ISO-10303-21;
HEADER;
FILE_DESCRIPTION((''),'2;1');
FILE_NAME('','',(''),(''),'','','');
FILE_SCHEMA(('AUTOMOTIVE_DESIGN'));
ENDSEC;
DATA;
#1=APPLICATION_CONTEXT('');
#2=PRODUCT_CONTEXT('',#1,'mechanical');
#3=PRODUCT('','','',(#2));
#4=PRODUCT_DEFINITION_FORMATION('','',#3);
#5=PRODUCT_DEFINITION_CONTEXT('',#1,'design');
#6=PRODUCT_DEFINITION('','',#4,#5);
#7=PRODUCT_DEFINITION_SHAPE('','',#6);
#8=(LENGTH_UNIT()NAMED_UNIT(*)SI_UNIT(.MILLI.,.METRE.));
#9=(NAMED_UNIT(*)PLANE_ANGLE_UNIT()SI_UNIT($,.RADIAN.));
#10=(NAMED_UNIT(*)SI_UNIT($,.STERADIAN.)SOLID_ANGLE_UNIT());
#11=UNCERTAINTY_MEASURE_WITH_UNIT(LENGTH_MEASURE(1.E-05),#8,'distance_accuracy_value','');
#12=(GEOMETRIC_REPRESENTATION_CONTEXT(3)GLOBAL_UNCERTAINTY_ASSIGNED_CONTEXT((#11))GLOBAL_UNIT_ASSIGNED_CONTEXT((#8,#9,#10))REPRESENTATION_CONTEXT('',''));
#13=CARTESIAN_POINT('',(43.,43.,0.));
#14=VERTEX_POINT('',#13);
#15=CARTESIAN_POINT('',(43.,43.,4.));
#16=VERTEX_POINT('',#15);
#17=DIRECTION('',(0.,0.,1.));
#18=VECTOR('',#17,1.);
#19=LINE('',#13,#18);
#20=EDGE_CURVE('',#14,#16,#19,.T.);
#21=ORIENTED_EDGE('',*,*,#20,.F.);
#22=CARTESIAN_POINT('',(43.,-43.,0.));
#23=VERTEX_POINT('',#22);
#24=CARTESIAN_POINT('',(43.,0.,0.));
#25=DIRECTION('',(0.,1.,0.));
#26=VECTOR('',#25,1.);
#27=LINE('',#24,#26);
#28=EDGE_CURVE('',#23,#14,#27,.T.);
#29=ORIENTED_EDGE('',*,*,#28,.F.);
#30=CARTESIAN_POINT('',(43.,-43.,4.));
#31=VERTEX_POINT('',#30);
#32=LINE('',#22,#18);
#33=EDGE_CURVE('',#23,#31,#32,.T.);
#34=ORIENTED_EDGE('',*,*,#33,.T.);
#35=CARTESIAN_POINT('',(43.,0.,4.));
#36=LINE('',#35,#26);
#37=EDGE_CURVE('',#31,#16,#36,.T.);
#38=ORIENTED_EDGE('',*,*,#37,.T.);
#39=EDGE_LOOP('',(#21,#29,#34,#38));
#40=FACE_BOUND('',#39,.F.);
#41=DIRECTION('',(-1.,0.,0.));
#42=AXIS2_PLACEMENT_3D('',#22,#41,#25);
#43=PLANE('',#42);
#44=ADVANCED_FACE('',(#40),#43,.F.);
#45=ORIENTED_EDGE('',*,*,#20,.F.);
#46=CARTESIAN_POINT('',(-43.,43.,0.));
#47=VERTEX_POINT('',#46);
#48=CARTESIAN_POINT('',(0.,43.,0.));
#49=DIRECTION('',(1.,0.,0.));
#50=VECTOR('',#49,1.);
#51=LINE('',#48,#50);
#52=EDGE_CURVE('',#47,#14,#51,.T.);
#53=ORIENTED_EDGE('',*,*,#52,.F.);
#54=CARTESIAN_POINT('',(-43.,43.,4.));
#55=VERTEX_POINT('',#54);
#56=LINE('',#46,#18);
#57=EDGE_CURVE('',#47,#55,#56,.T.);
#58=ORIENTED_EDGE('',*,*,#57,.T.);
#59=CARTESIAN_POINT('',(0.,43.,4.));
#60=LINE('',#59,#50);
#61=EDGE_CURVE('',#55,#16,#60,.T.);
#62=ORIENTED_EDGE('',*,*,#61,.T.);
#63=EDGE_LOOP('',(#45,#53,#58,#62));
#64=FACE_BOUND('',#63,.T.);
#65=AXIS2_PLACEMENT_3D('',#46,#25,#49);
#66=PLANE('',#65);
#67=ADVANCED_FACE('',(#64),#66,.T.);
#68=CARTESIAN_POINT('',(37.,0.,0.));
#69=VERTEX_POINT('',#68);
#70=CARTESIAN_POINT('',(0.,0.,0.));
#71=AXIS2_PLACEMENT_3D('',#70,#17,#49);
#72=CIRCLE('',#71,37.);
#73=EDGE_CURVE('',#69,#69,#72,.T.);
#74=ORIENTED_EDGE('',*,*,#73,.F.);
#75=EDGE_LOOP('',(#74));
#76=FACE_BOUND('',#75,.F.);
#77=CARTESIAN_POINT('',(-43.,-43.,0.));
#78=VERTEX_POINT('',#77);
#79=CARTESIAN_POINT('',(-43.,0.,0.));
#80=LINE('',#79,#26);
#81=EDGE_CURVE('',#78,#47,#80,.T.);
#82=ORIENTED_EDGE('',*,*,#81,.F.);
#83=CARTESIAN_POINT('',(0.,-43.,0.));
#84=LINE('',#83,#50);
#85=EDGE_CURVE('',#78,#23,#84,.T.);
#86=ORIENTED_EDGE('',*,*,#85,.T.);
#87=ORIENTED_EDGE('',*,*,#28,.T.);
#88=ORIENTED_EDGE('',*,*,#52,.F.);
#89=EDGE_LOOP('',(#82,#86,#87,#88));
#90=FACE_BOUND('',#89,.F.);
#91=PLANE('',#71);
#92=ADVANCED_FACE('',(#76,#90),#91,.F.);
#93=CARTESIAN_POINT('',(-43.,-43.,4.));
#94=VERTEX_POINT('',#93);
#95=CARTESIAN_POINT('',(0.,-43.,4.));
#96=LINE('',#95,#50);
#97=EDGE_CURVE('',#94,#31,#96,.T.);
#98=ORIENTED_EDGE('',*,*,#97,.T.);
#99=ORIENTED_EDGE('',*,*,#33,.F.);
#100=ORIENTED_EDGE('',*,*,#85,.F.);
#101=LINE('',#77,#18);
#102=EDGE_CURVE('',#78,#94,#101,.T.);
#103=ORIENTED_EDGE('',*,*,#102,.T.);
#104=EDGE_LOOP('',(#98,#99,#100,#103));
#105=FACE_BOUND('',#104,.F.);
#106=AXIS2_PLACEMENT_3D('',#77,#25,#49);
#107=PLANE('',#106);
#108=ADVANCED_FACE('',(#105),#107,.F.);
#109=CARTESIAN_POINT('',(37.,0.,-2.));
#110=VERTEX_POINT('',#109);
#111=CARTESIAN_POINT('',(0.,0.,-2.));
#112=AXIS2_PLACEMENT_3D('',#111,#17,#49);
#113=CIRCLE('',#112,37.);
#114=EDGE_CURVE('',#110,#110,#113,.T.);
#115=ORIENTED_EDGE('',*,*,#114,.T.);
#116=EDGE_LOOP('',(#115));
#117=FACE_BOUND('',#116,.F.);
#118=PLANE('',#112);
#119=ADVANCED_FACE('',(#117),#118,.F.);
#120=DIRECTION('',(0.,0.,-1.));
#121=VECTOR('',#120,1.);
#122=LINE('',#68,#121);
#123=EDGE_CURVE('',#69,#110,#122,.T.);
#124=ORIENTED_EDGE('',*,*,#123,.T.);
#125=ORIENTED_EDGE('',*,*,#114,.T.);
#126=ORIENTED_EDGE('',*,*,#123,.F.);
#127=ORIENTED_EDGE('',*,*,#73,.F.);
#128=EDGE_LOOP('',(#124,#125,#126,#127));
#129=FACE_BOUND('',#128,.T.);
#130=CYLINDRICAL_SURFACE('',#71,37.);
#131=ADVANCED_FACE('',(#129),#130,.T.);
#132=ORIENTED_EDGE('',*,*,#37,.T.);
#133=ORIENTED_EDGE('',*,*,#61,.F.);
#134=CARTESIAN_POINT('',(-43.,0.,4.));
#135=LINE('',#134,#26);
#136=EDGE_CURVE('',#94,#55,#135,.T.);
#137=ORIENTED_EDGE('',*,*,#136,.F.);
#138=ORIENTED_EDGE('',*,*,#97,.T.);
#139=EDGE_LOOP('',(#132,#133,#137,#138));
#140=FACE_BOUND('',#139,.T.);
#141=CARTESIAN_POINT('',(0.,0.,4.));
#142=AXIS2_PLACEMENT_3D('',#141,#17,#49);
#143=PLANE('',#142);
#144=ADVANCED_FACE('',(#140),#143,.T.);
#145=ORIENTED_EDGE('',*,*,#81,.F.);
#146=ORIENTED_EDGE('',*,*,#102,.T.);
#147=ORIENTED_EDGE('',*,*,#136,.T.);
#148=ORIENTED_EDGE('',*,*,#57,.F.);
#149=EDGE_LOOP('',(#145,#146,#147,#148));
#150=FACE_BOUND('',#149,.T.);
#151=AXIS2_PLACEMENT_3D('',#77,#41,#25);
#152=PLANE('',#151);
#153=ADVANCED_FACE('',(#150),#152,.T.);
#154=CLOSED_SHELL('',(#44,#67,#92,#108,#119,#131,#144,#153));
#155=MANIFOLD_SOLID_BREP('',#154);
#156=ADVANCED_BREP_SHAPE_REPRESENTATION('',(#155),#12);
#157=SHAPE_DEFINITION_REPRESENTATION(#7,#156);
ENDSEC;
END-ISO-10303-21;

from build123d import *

# Parameters (mm, degrees)
F0_R     = 37
F1_DEPTH = 2
F0_W     = 86
F0_H     = 86
F2_DEPTH = 4


with BuildPart() as f1:
    # F0 (on Top) → F1 (new body)
    with BuildSketch(Plane.XY):
        Circle(F0_R)
    extrude(amount=-F1_DEPTH)

    # F0 (on Top) → F2 (join)
    with BuildSketch(Plane.XY):
        Rectangle(F0_W, F0_H)
        Circle(F0_R, mode=Mode.SUBTRACT)
        Circle(F0_R)
    extrude(amount=F2_DEPTH)


solid = f1.part
